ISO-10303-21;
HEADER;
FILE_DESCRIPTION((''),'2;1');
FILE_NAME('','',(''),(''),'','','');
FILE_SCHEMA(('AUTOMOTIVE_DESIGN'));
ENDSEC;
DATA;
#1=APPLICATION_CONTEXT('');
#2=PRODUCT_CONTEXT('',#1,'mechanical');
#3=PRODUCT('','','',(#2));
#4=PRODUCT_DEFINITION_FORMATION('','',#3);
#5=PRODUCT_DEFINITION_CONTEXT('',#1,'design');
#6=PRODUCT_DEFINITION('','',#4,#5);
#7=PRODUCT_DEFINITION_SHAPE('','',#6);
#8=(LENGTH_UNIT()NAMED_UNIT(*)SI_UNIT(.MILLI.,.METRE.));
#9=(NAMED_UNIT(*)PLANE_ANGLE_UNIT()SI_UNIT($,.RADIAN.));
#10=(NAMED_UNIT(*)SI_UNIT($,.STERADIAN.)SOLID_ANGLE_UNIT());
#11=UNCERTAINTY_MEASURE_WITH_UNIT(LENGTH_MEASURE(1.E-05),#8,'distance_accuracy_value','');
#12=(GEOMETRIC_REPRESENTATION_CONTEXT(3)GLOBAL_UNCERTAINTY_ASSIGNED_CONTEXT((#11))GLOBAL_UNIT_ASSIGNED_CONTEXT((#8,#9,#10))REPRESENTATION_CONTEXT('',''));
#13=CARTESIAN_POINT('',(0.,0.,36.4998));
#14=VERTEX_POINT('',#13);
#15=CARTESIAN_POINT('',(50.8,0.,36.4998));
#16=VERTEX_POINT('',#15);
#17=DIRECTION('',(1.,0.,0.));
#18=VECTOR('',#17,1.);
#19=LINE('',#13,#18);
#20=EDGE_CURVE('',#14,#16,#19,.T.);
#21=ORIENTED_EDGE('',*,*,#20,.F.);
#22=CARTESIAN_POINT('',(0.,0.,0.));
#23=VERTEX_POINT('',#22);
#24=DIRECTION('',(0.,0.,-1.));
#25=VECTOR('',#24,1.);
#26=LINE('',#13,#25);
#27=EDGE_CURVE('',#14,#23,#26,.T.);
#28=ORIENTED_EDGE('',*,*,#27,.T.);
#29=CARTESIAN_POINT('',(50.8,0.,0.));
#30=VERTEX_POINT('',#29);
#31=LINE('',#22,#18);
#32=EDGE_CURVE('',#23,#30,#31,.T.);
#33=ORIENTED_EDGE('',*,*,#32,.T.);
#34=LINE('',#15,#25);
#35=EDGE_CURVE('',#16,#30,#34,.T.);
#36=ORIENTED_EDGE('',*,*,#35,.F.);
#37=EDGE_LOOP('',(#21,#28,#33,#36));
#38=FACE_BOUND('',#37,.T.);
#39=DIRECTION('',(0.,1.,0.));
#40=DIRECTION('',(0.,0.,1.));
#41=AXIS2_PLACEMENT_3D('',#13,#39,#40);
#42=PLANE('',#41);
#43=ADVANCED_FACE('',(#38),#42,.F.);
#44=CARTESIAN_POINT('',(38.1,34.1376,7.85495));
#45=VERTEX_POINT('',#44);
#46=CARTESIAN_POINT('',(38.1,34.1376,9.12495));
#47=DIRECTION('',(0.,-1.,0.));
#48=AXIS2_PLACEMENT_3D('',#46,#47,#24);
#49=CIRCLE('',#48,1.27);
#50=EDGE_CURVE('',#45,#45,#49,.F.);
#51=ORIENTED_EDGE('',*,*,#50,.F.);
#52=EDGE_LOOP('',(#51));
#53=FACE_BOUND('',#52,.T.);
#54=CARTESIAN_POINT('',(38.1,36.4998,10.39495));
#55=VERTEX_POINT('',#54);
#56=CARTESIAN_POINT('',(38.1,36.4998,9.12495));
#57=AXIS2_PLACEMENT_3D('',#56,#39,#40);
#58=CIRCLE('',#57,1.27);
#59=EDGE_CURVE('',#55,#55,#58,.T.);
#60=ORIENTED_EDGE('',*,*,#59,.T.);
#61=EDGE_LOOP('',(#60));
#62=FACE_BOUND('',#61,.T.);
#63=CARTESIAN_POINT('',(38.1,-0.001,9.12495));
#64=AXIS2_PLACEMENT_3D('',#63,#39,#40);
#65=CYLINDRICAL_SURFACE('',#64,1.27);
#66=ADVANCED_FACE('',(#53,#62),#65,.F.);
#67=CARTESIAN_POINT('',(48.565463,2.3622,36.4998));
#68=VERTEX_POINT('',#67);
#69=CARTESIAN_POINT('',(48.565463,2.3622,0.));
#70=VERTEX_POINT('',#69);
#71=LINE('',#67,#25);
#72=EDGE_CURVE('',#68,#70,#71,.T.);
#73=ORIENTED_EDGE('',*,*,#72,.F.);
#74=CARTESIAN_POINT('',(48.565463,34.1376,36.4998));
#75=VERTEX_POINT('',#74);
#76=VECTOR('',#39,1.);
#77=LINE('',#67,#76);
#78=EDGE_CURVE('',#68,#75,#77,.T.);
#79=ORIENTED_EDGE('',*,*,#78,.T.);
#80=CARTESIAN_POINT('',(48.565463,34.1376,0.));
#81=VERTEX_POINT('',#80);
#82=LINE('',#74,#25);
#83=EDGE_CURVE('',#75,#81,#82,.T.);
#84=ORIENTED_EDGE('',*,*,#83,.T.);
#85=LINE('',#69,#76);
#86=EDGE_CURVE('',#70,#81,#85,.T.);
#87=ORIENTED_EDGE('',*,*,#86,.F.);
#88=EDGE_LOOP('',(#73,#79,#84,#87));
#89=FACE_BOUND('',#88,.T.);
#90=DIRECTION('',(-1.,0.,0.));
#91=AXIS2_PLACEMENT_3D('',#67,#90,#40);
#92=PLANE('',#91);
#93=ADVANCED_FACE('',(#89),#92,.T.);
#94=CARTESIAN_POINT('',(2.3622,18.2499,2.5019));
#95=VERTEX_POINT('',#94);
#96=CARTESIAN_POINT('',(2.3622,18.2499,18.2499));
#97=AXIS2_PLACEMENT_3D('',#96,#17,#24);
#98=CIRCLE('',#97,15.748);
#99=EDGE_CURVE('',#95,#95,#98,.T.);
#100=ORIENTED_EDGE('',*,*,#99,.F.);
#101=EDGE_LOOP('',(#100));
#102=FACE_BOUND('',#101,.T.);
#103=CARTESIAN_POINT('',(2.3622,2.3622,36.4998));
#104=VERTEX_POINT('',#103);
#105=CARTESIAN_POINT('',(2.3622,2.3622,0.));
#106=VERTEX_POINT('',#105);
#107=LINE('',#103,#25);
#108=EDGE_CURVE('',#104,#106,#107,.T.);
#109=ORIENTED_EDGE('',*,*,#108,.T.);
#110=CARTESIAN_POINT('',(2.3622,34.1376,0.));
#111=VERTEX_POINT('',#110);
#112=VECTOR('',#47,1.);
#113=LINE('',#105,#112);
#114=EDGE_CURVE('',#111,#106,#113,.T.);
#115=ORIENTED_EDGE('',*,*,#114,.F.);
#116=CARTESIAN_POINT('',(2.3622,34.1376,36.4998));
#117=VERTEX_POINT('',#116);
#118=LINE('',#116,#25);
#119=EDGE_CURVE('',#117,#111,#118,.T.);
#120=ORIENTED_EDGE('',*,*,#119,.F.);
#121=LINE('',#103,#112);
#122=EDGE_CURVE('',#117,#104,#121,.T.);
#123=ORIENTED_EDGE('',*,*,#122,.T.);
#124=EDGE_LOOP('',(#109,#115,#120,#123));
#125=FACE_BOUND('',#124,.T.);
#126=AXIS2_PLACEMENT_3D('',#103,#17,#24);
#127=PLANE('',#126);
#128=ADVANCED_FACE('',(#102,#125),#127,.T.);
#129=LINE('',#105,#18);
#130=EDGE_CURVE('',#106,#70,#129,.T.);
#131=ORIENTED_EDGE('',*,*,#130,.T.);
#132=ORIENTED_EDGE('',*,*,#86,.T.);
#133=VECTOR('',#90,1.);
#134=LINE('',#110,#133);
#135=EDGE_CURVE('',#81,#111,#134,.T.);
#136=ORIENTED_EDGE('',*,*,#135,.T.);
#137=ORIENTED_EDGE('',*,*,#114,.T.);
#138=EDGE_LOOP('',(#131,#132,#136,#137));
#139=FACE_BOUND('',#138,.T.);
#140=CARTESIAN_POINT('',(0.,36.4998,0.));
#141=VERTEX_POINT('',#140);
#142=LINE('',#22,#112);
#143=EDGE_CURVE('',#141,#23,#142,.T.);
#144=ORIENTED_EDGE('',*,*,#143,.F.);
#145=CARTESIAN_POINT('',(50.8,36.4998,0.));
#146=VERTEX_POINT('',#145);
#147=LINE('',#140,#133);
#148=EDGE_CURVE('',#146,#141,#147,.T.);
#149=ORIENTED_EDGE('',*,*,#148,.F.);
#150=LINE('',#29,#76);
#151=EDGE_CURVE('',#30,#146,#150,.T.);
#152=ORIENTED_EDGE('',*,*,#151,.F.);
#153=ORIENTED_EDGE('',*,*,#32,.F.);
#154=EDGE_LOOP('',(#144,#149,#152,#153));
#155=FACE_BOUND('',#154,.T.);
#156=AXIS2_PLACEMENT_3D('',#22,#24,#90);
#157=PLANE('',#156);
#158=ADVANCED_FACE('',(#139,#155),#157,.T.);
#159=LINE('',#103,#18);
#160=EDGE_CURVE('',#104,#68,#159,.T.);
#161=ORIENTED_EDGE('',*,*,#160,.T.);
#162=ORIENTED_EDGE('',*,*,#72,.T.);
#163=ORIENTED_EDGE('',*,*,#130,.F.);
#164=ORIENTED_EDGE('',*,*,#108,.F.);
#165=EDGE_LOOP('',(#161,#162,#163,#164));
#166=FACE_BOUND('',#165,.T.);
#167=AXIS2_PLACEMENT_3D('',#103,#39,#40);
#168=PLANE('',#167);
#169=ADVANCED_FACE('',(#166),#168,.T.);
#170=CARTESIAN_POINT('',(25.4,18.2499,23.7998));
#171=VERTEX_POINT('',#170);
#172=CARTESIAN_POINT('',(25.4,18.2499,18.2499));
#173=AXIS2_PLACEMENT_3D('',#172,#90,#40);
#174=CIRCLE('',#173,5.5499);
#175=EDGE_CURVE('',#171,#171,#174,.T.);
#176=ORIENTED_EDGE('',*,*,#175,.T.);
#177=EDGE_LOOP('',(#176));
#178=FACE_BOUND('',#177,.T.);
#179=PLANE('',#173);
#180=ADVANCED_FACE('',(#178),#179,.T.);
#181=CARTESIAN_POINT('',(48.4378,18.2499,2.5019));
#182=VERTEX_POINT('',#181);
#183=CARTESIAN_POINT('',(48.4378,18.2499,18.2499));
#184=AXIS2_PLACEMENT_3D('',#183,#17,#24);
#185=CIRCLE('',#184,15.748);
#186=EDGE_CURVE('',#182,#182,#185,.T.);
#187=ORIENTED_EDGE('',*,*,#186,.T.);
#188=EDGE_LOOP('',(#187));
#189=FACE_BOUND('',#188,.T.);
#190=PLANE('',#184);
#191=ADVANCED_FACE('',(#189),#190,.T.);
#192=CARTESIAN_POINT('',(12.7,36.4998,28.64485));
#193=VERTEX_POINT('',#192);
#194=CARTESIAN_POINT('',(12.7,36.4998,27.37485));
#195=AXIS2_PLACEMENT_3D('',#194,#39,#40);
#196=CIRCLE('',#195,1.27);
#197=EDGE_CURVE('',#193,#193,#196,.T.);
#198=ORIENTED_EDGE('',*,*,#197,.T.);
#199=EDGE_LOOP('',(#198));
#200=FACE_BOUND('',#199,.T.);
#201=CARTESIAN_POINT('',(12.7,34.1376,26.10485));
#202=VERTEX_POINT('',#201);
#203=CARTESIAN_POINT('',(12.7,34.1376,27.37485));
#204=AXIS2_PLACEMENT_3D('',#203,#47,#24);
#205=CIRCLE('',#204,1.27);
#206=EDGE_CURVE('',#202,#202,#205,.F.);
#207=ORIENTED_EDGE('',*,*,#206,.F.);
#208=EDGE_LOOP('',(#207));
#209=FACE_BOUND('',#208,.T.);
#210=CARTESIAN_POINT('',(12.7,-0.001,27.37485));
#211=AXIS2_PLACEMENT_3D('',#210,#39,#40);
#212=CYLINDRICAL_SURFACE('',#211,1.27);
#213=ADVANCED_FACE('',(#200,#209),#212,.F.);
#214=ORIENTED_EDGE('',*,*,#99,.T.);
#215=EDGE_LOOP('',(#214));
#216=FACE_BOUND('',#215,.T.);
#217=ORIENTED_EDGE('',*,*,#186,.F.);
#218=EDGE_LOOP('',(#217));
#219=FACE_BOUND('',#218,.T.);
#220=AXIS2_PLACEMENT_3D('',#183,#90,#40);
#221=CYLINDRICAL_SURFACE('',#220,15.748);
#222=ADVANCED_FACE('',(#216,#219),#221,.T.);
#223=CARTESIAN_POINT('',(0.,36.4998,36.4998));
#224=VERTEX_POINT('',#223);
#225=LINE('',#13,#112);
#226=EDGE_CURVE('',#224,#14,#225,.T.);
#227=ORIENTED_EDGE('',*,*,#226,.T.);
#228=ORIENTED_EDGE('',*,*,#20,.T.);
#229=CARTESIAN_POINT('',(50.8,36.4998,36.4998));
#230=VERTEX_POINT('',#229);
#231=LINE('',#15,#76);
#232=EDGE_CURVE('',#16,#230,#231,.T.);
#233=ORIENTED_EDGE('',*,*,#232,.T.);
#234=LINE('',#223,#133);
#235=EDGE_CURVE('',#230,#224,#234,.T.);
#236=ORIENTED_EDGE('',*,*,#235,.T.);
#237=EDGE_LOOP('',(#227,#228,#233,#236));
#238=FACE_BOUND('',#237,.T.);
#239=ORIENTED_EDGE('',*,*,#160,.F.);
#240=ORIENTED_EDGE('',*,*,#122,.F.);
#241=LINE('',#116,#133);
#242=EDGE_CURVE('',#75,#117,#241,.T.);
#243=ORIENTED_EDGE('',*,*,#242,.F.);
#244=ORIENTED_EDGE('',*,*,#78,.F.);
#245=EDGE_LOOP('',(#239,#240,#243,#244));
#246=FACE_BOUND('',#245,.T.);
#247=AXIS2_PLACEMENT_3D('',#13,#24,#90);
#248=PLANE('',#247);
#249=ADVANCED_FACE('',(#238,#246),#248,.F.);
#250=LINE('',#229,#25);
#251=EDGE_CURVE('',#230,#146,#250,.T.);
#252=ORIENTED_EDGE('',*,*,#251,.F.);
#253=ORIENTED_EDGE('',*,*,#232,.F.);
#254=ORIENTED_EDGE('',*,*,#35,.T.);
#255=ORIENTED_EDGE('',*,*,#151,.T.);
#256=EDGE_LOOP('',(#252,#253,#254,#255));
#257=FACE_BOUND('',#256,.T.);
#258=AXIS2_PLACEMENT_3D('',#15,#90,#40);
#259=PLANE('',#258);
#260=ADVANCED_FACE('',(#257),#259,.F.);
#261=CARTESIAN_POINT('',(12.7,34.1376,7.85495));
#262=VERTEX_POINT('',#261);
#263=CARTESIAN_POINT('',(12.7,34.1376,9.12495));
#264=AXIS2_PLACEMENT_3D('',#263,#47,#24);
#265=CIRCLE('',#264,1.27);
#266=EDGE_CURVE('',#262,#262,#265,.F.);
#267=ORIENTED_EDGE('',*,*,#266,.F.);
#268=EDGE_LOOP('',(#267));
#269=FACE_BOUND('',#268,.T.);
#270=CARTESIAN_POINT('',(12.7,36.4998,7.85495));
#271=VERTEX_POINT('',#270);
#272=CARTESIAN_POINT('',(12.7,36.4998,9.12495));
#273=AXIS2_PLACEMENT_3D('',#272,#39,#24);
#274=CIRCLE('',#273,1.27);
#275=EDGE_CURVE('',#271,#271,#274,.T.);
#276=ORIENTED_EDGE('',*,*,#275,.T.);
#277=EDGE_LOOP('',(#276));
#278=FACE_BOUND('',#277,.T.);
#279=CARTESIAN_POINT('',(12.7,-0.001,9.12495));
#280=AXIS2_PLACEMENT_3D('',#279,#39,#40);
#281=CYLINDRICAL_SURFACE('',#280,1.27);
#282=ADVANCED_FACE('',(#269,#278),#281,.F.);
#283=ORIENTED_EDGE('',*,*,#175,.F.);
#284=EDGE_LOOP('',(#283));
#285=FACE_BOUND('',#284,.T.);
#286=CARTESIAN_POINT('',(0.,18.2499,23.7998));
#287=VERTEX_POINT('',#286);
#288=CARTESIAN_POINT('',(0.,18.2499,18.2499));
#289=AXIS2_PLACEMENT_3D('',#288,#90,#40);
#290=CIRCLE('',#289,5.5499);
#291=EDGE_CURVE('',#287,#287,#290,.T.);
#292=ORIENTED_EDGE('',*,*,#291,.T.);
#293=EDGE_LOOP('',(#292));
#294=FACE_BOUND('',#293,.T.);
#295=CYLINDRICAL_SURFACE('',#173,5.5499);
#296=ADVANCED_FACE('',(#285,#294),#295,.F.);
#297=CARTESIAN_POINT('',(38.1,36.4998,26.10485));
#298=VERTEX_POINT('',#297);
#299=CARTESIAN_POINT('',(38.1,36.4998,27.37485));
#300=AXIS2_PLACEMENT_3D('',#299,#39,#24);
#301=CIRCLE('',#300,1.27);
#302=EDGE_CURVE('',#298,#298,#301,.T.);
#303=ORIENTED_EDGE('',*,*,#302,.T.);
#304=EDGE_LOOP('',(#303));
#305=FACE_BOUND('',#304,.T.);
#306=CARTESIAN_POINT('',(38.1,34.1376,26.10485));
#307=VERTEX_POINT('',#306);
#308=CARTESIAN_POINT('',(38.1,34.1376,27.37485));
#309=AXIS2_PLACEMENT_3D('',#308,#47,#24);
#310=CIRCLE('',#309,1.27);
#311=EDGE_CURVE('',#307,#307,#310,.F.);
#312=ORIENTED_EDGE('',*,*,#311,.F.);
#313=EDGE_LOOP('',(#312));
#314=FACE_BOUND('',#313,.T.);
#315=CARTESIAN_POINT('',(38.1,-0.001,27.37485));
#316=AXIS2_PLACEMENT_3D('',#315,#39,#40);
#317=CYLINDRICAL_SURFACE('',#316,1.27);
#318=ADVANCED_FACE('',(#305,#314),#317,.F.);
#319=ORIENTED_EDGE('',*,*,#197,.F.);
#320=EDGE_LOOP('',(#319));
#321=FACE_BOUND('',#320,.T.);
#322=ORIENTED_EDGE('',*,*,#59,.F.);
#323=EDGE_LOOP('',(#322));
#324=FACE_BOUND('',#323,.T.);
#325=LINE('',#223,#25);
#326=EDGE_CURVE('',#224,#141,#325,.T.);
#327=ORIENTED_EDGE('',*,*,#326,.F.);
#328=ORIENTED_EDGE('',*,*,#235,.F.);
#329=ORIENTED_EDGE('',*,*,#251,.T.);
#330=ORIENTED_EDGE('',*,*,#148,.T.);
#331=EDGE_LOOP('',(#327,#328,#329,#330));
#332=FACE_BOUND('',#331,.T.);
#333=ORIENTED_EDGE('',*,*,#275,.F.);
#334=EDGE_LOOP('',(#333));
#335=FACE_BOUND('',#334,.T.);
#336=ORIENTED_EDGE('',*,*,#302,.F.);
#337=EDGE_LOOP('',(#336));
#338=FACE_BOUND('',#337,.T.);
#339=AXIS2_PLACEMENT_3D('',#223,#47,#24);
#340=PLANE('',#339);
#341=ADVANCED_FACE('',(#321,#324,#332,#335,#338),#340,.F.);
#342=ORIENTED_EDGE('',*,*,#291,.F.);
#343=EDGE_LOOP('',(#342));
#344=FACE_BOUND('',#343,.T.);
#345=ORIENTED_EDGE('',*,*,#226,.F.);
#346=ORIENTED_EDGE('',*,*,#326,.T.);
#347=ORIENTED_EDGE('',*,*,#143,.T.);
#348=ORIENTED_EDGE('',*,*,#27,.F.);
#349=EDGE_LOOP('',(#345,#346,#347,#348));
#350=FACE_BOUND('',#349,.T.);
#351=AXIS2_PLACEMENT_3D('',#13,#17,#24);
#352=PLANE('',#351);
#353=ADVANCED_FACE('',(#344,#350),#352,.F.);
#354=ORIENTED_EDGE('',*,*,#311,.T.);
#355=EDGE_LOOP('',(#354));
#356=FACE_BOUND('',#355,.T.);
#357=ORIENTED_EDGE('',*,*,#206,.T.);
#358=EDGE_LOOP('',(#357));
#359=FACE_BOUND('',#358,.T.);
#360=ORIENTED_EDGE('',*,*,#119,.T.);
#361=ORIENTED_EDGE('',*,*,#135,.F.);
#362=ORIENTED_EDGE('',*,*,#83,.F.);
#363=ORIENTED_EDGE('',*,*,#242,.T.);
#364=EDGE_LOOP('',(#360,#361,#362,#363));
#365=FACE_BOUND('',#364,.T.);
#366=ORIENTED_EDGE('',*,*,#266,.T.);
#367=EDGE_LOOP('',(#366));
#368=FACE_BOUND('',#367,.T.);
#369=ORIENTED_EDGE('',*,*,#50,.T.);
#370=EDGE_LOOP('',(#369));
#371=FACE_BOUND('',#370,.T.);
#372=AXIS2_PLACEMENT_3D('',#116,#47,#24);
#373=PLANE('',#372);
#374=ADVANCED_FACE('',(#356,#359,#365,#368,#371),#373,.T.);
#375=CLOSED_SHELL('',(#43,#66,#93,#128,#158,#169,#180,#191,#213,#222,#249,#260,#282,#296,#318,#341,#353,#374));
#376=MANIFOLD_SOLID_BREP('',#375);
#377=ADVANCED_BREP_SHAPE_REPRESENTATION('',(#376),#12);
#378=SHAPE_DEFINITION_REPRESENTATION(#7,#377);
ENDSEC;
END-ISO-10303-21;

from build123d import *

# Parameters (mm, degrees)
SKETCH1_W           = 50.8
SKETCH1_H           = 36.4998
SKETCH1_W_2         = 46.203262774
SKETCH1_H_2         = 31.7754
BOSS_EXTRUDE1_DEPTH = 36.4998
SKETCH8_R           = 15.748
BOSS_EXTRUDE3_DEPTH = 46.0756
SKETCH9_R           = 5.5499
CUT_EXTRUDE1_DEPTH  = 25.4
CUT_EXTRUDE2_REACH  = 38.5
SKETCH10_R          = 1.27


with BuildPart() as part:
    # Sketch1 → Boss-Extrude1 (new body)
    with BuildSketch(Plane.XY):
        with Locations((25.4, 18.2499)):
            Rectangle(SKETCH1_W, SKETCH1_H)
        with Locations((25.463831387, 18.2499)):
            Rectangle(SKETCH1_W_2, SKETCH1_H_2, mode=Mode.SUBTRACT)
    extrude(amount=BOSS_EXTRUDE1_DEPTH)

    # Sketch8 → Boss-Extrude3 (add)
    with BuildSketch(Plane(origin=(2.3622, 0, 0), x_dir=(0, 0, -1), z_dir=(1, 0, 0))):
        with Locations((-18.2499, 18.2499)):
            Circle(SKETCH8_R)
    extrude(amount=BOSS_EXTRUDE3_DEPTH)

    # Sketch9 → Cut-Extrude1 (cut)
    with BuildSketch(Plane.ZY):
        with Locations((18.2499, 18.2499)):
            Circle(SKETCH9_R)
    extrude(amount=-CUT_EXTRUDE1_DEPTH, mode=Mode.SUBTRACT)

    # Sketch10 → Cut-Extrude2 (cut, up to next)
    with BuildSketch(Plane(origin=(0, 36.4998, 0), x_dir=(1, 0, 0), z_dir=(0, 1, 0)), mode=Mode.PRIVATE) as cut_extrude2_sk1:
        with Locations((38.1, -9.12495)):
            Circle(SKETCH10_R)
    cut_extrude2_tool1 = extrude(cut_extrude2_sk1.sketch, amount=-CUT_EXTRUDE2_REACH, mode=Mode.PRIVATE) & part.part
    add(cut_extrude2_tool1.solids().sort_by_distance((38.1, 36.4998, 9.12495))[0], mode=Mode.SUBTRACT)
    # Sketch10 → Cut-Extrude2 (cut, up to next)
    with BuildSketch(Plane(origin=(0, 36.4998, 0), x_dir=(1, 0, 0), z_dir=(0, 1, 0)), mode=Mode.PRIVATE) as cut_extrude2_sk2:
        with Locations((12.7, -9.12495)):
            Circle(SKETCH10_R)
    cut_extrude2_tool2 = extrude(cut_extrude2_sk2.sketch, amount=-CUT_EXTRUDE2_REACH, mode=Mode.PRIVATE) & part.part
    add(cut_extrude2_tool2.solids().sort_by_distance((12.7, 36.4998, 9.12495))[0], mode=Mode.SUBTRACT)
    # Sketch10 → Cut-Extrude2 (cut, up to next)
    with BuildSketch(Plane(origin=(0, 36.4998, 0), x_dir=(1, 0, 0), z_dir=(0, 1, 0)), mode=Mode.PRIVATE) as cut_extrude2_sk3:
        with Locations((38.1, -27.37485)):
            Circle(SKETCH10_R)
    cut_extrude2_tool3 = extrude(cut_extrude2_sk3.sketch, amount=-CUT_EXTRUDE2_REACH, mode=Mode.PRIVATE) & part.part
    add(cut_extrude2_tool3.solids().sort_by_distance((38.1, 36.4998, 27.37485))[0], mode=Mode.SUBTRACT)
    # Sketch10 → Cut-Extrude2 (cut, up to next)
    with BuildSketch(Plane(origin=(0, 36.4998, 0), x_dir=(1, 0, 0), z_dir=(0, 1, 0)), mode=Mode.PRIVATE) as cut_extrude2_sk4:
        with Locations((12.7, -27.37485)):
            Circle(SKETCH10_R)
    cut_extrude2_tool4 = extrude(cut_extrude2_sk4.sketch, amount=-CUT_EXTRUDE2_REACH, mode=Mode.PRIVATE) & part.part
    add(cut_extrude2_tool4.solids().sort_by_distance((12.7, 36.4998, 27.37485))[0], mode=Mode.SUBTRACT)


solid = part.part
